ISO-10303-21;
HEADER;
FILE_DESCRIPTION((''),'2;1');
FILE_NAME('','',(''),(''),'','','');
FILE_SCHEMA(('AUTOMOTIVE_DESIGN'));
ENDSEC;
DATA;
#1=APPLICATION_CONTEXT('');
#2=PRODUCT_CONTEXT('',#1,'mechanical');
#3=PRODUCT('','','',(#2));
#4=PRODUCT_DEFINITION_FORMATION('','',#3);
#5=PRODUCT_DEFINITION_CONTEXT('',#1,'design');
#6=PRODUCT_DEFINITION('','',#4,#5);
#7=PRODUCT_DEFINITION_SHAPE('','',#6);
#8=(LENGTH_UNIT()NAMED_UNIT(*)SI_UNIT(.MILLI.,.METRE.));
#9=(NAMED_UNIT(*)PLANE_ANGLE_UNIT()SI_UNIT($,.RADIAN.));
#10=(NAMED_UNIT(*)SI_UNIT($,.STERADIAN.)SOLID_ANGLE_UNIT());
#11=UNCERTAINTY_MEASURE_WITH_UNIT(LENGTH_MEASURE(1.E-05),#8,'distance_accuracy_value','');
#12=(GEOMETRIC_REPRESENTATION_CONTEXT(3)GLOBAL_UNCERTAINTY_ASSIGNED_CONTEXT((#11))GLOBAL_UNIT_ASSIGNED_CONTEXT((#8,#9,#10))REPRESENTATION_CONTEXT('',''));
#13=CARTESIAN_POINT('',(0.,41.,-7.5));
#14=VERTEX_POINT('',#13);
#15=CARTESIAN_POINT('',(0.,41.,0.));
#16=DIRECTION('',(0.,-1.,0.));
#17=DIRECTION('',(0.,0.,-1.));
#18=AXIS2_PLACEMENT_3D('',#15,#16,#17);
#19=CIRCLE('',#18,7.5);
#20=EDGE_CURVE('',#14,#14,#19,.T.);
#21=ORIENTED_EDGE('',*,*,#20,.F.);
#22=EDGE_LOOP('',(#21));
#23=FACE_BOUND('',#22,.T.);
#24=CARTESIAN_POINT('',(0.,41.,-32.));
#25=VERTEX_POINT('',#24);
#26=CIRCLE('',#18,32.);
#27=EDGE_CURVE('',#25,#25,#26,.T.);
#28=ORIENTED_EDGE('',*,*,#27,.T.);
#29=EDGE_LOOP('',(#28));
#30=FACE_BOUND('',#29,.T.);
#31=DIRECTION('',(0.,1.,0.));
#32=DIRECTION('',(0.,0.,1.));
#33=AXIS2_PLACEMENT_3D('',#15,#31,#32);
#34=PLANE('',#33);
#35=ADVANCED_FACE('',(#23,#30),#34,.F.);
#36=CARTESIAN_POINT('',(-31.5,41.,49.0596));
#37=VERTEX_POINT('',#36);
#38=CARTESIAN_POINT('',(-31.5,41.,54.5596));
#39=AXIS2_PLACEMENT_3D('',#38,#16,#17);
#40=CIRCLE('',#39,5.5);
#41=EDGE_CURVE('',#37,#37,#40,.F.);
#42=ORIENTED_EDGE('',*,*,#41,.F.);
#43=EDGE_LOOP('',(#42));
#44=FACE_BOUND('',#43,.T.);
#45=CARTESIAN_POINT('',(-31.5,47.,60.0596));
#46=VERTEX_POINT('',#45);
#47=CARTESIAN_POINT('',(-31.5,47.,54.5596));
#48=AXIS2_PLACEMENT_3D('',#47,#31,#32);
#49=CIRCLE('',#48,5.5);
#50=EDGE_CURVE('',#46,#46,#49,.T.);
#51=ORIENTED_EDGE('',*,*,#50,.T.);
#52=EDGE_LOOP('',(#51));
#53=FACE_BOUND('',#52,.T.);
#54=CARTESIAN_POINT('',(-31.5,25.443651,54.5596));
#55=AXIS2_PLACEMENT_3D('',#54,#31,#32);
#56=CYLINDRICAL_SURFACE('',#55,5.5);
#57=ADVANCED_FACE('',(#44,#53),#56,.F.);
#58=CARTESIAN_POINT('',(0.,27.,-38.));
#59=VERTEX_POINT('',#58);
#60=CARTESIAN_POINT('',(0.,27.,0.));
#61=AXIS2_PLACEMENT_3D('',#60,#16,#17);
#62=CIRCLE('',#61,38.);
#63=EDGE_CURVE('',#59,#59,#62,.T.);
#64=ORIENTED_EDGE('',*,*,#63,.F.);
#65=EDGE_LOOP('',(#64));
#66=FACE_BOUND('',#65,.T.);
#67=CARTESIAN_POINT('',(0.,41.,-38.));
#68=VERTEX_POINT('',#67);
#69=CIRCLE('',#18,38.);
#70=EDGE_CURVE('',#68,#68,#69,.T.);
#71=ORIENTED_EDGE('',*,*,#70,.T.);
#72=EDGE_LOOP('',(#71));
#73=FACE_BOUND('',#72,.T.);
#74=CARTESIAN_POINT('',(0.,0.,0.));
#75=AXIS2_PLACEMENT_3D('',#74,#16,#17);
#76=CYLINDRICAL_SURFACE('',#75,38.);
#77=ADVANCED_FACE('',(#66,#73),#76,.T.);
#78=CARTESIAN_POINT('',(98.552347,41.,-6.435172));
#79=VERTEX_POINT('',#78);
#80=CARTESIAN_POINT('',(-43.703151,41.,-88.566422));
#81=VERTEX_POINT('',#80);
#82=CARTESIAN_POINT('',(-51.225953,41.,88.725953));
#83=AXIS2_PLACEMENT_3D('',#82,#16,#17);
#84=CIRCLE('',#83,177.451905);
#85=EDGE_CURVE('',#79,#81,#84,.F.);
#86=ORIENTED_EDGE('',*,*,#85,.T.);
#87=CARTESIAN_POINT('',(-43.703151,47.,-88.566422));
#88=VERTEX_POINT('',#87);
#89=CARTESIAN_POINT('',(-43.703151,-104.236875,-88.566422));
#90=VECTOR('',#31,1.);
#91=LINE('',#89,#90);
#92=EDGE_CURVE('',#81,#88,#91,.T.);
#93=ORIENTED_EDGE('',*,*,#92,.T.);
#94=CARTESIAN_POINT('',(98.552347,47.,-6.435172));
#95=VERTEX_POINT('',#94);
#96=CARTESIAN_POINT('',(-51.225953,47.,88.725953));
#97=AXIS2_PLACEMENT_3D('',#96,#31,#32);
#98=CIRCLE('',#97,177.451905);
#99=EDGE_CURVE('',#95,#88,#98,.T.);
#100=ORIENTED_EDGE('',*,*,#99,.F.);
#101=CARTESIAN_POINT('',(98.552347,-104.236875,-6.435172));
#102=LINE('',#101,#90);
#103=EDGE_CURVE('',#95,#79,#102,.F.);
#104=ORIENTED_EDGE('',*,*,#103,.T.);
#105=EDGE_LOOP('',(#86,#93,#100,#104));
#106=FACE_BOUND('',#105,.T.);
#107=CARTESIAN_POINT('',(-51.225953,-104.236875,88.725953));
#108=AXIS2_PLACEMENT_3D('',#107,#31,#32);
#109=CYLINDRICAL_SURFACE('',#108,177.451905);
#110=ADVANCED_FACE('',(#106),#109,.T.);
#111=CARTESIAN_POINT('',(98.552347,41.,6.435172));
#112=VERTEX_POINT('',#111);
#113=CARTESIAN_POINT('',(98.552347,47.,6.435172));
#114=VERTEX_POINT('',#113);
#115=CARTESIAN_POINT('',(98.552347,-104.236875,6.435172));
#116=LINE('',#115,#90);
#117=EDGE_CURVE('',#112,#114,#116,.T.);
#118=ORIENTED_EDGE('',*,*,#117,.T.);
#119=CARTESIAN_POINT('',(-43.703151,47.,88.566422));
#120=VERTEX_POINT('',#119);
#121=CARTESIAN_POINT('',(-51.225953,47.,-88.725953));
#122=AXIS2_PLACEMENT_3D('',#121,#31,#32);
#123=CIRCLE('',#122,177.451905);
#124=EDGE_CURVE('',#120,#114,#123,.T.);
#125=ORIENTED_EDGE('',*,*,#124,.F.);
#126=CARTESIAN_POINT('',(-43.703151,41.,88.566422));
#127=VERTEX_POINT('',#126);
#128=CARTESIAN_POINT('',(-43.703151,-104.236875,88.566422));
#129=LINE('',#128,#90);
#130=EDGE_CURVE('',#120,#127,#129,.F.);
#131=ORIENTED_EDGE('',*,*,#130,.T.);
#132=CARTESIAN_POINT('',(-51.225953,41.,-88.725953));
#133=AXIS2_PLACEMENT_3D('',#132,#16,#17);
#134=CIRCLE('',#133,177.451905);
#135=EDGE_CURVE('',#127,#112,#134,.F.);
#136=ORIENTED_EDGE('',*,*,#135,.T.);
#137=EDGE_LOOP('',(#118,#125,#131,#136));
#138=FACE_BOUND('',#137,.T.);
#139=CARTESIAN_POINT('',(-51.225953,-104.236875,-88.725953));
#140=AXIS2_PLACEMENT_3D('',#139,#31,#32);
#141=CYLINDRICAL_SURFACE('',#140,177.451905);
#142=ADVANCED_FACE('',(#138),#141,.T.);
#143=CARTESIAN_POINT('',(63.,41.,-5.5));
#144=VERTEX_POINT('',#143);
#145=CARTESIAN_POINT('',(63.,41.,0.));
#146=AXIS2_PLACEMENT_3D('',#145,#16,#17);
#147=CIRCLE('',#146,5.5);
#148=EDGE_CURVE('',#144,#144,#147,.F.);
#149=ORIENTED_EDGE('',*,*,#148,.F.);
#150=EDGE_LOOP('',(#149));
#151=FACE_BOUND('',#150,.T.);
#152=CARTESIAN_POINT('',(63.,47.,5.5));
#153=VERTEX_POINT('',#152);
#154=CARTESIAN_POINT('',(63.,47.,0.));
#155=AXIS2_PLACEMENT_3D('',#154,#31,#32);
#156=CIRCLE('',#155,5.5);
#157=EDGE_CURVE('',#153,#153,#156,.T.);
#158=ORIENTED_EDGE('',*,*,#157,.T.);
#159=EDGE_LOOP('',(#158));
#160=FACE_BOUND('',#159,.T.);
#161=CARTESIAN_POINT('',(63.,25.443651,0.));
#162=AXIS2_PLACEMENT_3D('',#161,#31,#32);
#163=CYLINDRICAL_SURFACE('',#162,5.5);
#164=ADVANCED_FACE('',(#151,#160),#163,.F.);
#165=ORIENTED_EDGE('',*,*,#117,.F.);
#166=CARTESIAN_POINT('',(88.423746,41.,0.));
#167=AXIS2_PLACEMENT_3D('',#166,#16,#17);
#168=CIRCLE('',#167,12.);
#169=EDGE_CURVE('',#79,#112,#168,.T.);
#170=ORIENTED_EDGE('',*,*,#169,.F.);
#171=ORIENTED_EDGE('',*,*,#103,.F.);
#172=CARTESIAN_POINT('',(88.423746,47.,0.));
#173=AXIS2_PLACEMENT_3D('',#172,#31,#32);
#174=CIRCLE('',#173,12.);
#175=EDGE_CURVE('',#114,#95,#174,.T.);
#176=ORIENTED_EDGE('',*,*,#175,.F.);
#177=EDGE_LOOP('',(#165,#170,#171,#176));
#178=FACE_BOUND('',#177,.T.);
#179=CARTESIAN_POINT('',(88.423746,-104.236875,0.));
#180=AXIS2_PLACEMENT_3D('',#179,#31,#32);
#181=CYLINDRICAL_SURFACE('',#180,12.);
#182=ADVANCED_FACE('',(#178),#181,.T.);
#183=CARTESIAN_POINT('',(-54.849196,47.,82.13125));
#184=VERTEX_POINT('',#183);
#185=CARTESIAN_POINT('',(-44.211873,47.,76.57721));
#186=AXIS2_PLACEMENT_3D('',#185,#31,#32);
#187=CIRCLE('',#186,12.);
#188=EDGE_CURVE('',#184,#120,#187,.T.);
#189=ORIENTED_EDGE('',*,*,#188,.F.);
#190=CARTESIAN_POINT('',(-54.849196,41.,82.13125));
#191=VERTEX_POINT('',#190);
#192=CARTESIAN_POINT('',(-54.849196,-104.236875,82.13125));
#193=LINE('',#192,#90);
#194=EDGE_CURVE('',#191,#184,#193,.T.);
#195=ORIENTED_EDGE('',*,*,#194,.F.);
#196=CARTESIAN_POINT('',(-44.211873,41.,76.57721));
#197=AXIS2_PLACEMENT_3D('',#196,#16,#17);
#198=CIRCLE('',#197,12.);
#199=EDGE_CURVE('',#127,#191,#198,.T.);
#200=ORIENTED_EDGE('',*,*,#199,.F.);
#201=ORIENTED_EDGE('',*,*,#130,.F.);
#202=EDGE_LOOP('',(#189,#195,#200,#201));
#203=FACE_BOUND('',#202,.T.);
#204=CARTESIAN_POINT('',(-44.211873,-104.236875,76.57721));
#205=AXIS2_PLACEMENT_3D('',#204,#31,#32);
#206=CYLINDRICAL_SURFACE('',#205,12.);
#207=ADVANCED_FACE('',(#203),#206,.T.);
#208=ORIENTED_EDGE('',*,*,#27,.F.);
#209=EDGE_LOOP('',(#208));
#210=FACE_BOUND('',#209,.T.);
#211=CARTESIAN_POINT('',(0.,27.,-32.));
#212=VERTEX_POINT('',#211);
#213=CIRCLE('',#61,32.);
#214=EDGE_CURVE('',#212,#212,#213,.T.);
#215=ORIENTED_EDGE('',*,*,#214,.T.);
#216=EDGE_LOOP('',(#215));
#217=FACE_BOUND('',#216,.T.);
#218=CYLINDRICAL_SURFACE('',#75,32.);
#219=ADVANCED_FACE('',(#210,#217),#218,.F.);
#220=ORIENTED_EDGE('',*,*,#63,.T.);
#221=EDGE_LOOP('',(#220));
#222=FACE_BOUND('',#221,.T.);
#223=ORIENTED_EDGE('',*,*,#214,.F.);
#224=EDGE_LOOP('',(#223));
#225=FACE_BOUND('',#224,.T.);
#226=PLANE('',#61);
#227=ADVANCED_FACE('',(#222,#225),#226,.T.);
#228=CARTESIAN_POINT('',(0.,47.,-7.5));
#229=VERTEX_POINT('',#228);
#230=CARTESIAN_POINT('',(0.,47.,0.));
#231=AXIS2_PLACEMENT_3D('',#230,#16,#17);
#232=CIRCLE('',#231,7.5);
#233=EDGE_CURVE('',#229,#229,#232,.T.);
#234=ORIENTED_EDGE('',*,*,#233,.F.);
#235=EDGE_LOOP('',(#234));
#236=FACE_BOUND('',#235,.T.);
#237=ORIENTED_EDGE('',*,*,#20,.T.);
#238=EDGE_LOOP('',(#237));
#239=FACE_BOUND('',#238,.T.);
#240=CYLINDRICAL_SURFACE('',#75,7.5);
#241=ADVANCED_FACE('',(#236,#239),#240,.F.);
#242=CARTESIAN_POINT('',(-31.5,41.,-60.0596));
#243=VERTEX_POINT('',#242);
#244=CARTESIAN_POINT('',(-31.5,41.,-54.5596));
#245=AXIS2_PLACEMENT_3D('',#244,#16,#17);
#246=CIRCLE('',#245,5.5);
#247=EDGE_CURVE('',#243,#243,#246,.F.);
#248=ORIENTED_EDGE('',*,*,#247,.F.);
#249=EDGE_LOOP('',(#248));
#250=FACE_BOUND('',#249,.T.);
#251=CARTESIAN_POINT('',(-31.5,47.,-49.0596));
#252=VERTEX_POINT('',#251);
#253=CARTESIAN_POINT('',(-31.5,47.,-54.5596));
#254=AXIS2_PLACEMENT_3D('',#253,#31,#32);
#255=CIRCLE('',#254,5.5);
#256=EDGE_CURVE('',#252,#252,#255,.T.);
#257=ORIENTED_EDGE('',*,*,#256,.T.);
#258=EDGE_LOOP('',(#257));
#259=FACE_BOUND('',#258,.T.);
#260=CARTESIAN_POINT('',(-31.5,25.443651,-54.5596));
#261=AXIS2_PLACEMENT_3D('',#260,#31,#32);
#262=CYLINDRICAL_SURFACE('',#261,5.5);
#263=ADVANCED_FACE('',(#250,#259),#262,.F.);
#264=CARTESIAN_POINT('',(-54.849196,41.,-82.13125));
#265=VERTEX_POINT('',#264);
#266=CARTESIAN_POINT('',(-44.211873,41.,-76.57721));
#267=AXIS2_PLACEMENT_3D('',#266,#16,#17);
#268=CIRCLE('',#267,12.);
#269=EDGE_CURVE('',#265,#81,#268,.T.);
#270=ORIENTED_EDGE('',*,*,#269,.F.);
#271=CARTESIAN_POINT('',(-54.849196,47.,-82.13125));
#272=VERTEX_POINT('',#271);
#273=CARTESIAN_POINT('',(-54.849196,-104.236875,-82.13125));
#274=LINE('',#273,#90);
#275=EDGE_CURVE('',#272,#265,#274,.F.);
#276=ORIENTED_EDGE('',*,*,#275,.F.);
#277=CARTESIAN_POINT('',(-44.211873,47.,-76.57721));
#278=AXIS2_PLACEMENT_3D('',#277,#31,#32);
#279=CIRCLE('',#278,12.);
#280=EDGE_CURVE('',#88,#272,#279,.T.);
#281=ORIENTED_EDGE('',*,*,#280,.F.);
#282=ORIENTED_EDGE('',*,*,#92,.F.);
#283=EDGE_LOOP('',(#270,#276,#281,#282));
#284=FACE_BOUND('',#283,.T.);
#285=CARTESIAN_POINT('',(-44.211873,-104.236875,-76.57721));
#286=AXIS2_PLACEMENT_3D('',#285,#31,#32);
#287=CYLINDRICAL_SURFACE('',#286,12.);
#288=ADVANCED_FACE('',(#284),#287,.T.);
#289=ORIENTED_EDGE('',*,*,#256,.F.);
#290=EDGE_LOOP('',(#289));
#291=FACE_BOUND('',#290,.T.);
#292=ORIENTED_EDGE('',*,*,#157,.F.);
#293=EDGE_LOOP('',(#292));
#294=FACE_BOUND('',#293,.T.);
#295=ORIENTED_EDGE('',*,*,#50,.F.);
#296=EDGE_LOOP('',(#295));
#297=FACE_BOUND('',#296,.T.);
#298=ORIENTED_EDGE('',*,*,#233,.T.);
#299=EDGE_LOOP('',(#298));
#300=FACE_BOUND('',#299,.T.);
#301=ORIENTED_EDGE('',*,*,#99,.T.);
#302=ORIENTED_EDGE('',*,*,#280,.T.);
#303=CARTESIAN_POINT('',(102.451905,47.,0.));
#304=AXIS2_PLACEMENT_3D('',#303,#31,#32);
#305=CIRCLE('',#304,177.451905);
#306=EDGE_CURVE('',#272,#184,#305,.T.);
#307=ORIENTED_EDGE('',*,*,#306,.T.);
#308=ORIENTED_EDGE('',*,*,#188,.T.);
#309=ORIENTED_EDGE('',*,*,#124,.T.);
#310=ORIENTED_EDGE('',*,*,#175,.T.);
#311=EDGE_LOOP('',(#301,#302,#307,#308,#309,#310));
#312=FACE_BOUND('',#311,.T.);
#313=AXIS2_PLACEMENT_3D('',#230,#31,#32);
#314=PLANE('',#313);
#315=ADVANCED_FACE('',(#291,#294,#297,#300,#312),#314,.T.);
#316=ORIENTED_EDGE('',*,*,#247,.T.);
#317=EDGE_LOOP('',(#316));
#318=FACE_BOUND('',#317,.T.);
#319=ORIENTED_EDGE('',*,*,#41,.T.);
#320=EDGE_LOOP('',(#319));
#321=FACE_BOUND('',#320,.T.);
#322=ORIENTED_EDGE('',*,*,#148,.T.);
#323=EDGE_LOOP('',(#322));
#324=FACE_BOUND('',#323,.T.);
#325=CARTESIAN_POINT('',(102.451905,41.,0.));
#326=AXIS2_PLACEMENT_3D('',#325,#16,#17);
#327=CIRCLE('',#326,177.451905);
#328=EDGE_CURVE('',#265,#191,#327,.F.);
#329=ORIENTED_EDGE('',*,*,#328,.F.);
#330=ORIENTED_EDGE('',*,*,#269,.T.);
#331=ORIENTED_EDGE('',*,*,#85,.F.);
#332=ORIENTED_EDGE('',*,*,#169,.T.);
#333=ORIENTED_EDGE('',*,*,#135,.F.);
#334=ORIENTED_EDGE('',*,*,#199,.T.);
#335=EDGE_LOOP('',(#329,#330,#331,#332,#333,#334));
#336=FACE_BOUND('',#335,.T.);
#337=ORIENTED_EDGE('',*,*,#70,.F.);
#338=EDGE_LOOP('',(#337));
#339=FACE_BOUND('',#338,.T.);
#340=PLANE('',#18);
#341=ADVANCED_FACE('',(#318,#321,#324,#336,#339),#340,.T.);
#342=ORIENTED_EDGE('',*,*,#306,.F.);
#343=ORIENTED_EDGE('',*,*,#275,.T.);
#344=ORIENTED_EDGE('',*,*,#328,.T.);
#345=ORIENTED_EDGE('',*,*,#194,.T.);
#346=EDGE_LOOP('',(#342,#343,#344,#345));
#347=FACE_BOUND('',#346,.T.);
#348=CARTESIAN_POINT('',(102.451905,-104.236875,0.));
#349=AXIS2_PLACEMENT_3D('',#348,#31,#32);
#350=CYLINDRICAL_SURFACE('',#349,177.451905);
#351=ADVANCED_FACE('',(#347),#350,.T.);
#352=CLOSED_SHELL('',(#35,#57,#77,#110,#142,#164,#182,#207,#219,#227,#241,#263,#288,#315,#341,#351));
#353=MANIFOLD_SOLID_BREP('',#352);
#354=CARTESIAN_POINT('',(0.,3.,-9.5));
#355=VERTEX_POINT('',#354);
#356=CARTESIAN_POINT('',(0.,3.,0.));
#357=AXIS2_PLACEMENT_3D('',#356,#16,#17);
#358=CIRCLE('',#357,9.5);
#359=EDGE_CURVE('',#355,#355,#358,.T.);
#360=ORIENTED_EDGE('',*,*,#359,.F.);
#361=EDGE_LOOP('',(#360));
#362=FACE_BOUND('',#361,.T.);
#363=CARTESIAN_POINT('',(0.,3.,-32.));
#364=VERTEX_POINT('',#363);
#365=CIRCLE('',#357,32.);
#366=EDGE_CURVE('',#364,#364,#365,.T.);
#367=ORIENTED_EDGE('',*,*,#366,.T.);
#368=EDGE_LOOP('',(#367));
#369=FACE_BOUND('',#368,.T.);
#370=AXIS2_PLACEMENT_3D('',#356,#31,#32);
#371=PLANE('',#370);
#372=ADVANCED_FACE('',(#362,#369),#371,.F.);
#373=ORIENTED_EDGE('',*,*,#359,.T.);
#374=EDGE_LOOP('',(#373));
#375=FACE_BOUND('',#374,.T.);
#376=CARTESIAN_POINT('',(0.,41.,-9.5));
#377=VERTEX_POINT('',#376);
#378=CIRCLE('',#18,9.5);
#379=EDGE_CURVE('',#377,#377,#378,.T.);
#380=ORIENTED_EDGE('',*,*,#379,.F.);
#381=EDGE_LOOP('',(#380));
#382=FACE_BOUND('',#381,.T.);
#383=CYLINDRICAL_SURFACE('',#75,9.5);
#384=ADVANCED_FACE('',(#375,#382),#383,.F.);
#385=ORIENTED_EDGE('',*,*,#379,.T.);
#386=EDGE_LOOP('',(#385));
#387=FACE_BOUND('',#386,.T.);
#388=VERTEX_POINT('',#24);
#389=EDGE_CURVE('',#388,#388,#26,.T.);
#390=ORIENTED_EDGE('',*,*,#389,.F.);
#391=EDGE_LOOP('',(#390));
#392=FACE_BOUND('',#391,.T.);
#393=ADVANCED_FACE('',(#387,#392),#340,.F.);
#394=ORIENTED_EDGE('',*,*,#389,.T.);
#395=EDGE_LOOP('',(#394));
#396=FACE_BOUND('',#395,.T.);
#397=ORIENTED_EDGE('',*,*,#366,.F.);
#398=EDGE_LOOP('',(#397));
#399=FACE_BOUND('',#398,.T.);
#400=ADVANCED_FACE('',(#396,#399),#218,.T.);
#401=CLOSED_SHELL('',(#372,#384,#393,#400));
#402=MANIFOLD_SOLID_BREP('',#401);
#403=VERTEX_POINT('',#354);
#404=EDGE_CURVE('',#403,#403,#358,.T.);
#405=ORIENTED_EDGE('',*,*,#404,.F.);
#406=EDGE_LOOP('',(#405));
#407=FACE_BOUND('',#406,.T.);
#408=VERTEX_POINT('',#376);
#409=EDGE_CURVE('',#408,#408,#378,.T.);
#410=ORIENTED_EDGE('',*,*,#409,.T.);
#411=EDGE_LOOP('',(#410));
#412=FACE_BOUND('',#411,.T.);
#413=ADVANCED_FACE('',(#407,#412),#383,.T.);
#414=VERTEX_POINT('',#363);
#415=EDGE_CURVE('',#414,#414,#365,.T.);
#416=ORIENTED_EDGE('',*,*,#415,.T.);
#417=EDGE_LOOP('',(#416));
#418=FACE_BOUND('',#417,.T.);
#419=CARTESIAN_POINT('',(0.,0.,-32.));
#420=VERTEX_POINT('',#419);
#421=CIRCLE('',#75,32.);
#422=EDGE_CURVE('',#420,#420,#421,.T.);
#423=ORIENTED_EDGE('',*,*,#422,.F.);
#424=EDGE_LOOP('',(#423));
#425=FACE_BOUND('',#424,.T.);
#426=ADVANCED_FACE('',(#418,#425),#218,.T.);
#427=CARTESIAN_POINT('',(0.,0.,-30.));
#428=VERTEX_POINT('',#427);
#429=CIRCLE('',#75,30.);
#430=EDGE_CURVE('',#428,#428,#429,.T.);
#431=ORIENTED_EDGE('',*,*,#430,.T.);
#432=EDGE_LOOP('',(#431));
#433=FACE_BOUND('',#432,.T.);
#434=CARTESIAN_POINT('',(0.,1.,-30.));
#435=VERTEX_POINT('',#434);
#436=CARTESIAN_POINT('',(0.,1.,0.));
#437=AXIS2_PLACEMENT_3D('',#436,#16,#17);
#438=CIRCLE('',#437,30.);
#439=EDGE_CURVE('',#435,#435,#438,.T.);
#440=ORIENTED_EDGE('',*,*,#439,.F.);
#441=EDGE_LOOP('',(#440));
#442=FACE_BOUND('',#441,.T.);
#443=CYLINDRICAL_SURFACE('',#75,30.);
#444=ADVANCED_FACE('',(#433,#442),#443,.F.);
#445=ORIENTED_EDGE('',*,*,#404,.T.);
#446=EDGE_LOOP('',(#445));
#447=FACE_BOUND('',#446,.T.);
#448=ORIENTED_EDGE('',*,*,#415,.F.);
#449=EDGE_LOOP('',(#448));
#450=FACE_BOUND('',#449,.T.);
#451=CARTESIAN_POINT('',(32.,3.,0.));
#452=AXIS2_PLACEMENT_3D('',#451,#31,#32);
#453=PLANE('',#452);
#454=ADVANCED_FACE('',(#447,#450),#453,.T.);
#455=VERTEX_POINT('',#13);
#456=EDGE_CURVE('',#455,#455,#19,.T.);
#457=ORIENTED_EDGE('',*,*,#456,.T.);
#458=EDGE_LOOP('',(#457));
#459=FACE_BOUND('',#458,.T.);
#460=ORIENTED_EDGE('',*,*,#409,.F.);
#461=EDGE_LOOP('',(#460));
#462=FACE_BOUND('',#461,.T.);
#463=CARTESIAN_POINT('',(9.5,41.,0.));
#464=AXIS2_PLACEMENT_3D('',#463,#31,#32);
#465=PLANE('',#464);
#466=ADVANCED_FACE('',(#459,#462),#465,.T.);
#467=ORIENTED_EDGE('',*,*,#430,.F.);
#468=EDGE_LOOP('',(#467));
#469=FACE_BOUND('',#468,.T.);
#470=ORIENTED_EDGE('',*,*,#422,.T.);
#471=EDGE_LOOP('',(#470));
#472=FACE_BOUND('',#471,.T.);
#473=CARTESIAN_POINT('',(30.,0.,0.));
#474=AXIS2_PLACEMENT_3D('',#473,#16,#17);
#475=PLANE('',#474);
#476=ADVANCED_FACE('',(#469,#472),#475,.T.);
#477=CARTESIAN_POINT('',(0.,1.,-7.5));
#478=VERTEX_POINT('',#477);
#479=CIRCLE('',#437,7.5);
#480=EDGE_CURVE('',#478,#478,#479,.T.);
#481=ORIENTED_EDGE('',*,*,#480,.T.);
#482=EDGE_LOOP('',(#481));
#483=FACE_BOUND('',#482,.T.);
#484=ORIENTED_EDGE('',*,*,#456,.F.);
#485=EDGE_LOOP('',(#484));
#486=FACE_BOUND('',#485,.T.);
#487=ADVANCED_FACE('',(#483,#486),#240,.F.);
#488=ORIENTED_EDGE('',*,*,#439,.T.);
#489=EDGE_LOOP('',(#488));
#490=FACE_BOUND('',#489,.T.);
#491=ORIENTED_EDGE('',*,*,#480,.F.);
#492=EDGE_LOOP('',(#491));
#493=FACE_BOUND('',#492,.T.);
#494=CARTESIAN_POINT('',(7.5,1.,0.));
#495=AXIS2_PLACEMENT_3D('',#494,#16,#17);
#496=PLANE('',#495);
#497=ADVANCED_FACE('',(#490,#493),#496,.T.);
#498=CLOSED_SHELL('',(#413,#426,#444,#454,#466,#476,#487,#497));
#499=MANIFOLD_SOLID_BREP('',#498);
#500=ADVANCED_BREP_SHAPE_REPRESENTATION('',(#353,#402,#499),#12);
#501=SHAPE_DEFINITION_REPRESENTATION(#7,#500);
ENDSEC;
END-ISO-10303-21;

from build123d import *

# Parameters (mm, degrees)
SKETCH_3_W          = 22.5
SKETCH_3_H          = 38
EXTRUDE_1_DEPTH     = 6
SKETCH_6_R          = 5.5
CUT_EXTRUDE_1_DEPTH = 6
FILLET_1_R          = 12


with BuildPart() as part:
    # 草图2 → 旋转1 (revolve)
    with BuildSketch(Plane.XY, mode=Mode.PRIVATE) as revolve_1_sk:
        Polygon((30, 0), (32, 0), (32, 3), (9.5, 3), (9.5, 41), (7.5, 41), (7.5, 1), (30, 1), align=None)
    revolve(revolve_1_sk.sketch.rotate(Axis((0, 0, 0), (0, 1, 0)), 90), axis=Axis((0, 0, 0), (0, 1, 0)))


with BuildPart() as body_2:
    # 草图3 → 旋转2 (revolve)
    with BuildSketch(Plane.XY, mode=Mode.PRIVATE) as revolve_2_sk:
        with Locations((20.75, 22)):
            Rectangle(SKETCH_3_W, SKETCH_3_H)
    revolve(revolve_2_sk.sketch.rotate(Axis((0, 0, 0), (0, 1, 0)), 90), axis=Axis((0, 0, 0), (0, 1, 0)))


with BuildPart() as body_3:
    # 草图4 → 旋转3 (revolve)
    with BuildSketch(Plane.XY, mode=Mode.PRIVATE) as revolve_3_sk:
        Polygon((32, 41), (32, 27), (38, 27), (38, 41), (75, 41), (75, 47), (32, 47), (7.5, 47), (7.5, 41), align=None)
    revolve(revolve_3_sk.sketch.rotate(Axis((0, 0, 0), (0, 1, 0)), 90), axis=Axis((0, 0, 0), (0, 1, 0)))

    # 草图5 → 凸台-拉伸1 (add)
    with BuildSketch(Plane(origin=(0, 47, 0), x_dir=(1, 0, 0), z_dir=(0, 1, 0))):
        with BuildLine():
            ThreePointArc((37.499997067, 64.951906977), (75, 4.86e-07), (37.499997908, -64.951906491))
            ThreePointArc((37.499997908, -64.951906491), (74.251492065, -36.751493773), (102.451905284, 0))
            ThreePointArc((102.451905284, 0), (74.251491722, 36.751494116), (37.499997067, 64.951906977))
        make_face()
        with BuildLine():
            ThreePointArc((-75, 0), (-37.500001466, 64.951904437), (37.499997067, 64.951906977))
            ThreePointArc((37.499997067, 64.951906977), (-5.2980216, 82.679426034), (-51.225952642, 88.725952642))
            ThreePointArc((-51.225952642, 88.725952642), (-68.953472954, 45.927932677), (-75, 0))
        make_face()
        with BuildLine():
            ThreePointArc((-51.225952642, -88.725952642), (-5.298021131, -82.679425908), (37.499997908, -64.951906491))
            ThreePointArc((37.499997908, -64.951906491), (-37.500001046, -64.95190468), (-75, 0))
            ThreePointArc((-75, 0), (-68.953472954, -45.927932677), (-51.225952642, -88.725952642))
        make_face()
    extrude(amount=-EXTRUDE_1_DEPTH)

    # 草图6 → 切除-拉伸1 (cut)
    with BuildSketch(Plane(origin=(0, 47, 0), x_dir=(1, 0, 0), z_dir=(0, 1, 0))):
        with Locations(Location((-31.5, 54.559600438, 0), (0, 0, 270))):
            Circle(SKETCH_6_R)
        with Locations(Location((-31.5, -54.559600438, 0), (0, 0, 270))):
            Circle(SKETCH_6_R)
        with Locations(Location((63, 0, 0), (0, 0, 270))):
            Circle(SKETCH_6_R)
    extrude(amount=-CUT_EXTRUDE_1_DEPTH, mode=Mode.SUBTRACT)

    # 圆角1
    fillet_1_edges = [body_3.edges().sort_by_distance(p)[0] for p in [
        (-51.225952642, 44, -88.725952642),
        (-51.225952642, 44, 88.725952642),
        (102.451905284, 44, 0),
    ]]
    fillet(fillet_1_edges, radius=FILLET_1_R)


solid = Compound([part.part, body_2.part, body_3.part])
